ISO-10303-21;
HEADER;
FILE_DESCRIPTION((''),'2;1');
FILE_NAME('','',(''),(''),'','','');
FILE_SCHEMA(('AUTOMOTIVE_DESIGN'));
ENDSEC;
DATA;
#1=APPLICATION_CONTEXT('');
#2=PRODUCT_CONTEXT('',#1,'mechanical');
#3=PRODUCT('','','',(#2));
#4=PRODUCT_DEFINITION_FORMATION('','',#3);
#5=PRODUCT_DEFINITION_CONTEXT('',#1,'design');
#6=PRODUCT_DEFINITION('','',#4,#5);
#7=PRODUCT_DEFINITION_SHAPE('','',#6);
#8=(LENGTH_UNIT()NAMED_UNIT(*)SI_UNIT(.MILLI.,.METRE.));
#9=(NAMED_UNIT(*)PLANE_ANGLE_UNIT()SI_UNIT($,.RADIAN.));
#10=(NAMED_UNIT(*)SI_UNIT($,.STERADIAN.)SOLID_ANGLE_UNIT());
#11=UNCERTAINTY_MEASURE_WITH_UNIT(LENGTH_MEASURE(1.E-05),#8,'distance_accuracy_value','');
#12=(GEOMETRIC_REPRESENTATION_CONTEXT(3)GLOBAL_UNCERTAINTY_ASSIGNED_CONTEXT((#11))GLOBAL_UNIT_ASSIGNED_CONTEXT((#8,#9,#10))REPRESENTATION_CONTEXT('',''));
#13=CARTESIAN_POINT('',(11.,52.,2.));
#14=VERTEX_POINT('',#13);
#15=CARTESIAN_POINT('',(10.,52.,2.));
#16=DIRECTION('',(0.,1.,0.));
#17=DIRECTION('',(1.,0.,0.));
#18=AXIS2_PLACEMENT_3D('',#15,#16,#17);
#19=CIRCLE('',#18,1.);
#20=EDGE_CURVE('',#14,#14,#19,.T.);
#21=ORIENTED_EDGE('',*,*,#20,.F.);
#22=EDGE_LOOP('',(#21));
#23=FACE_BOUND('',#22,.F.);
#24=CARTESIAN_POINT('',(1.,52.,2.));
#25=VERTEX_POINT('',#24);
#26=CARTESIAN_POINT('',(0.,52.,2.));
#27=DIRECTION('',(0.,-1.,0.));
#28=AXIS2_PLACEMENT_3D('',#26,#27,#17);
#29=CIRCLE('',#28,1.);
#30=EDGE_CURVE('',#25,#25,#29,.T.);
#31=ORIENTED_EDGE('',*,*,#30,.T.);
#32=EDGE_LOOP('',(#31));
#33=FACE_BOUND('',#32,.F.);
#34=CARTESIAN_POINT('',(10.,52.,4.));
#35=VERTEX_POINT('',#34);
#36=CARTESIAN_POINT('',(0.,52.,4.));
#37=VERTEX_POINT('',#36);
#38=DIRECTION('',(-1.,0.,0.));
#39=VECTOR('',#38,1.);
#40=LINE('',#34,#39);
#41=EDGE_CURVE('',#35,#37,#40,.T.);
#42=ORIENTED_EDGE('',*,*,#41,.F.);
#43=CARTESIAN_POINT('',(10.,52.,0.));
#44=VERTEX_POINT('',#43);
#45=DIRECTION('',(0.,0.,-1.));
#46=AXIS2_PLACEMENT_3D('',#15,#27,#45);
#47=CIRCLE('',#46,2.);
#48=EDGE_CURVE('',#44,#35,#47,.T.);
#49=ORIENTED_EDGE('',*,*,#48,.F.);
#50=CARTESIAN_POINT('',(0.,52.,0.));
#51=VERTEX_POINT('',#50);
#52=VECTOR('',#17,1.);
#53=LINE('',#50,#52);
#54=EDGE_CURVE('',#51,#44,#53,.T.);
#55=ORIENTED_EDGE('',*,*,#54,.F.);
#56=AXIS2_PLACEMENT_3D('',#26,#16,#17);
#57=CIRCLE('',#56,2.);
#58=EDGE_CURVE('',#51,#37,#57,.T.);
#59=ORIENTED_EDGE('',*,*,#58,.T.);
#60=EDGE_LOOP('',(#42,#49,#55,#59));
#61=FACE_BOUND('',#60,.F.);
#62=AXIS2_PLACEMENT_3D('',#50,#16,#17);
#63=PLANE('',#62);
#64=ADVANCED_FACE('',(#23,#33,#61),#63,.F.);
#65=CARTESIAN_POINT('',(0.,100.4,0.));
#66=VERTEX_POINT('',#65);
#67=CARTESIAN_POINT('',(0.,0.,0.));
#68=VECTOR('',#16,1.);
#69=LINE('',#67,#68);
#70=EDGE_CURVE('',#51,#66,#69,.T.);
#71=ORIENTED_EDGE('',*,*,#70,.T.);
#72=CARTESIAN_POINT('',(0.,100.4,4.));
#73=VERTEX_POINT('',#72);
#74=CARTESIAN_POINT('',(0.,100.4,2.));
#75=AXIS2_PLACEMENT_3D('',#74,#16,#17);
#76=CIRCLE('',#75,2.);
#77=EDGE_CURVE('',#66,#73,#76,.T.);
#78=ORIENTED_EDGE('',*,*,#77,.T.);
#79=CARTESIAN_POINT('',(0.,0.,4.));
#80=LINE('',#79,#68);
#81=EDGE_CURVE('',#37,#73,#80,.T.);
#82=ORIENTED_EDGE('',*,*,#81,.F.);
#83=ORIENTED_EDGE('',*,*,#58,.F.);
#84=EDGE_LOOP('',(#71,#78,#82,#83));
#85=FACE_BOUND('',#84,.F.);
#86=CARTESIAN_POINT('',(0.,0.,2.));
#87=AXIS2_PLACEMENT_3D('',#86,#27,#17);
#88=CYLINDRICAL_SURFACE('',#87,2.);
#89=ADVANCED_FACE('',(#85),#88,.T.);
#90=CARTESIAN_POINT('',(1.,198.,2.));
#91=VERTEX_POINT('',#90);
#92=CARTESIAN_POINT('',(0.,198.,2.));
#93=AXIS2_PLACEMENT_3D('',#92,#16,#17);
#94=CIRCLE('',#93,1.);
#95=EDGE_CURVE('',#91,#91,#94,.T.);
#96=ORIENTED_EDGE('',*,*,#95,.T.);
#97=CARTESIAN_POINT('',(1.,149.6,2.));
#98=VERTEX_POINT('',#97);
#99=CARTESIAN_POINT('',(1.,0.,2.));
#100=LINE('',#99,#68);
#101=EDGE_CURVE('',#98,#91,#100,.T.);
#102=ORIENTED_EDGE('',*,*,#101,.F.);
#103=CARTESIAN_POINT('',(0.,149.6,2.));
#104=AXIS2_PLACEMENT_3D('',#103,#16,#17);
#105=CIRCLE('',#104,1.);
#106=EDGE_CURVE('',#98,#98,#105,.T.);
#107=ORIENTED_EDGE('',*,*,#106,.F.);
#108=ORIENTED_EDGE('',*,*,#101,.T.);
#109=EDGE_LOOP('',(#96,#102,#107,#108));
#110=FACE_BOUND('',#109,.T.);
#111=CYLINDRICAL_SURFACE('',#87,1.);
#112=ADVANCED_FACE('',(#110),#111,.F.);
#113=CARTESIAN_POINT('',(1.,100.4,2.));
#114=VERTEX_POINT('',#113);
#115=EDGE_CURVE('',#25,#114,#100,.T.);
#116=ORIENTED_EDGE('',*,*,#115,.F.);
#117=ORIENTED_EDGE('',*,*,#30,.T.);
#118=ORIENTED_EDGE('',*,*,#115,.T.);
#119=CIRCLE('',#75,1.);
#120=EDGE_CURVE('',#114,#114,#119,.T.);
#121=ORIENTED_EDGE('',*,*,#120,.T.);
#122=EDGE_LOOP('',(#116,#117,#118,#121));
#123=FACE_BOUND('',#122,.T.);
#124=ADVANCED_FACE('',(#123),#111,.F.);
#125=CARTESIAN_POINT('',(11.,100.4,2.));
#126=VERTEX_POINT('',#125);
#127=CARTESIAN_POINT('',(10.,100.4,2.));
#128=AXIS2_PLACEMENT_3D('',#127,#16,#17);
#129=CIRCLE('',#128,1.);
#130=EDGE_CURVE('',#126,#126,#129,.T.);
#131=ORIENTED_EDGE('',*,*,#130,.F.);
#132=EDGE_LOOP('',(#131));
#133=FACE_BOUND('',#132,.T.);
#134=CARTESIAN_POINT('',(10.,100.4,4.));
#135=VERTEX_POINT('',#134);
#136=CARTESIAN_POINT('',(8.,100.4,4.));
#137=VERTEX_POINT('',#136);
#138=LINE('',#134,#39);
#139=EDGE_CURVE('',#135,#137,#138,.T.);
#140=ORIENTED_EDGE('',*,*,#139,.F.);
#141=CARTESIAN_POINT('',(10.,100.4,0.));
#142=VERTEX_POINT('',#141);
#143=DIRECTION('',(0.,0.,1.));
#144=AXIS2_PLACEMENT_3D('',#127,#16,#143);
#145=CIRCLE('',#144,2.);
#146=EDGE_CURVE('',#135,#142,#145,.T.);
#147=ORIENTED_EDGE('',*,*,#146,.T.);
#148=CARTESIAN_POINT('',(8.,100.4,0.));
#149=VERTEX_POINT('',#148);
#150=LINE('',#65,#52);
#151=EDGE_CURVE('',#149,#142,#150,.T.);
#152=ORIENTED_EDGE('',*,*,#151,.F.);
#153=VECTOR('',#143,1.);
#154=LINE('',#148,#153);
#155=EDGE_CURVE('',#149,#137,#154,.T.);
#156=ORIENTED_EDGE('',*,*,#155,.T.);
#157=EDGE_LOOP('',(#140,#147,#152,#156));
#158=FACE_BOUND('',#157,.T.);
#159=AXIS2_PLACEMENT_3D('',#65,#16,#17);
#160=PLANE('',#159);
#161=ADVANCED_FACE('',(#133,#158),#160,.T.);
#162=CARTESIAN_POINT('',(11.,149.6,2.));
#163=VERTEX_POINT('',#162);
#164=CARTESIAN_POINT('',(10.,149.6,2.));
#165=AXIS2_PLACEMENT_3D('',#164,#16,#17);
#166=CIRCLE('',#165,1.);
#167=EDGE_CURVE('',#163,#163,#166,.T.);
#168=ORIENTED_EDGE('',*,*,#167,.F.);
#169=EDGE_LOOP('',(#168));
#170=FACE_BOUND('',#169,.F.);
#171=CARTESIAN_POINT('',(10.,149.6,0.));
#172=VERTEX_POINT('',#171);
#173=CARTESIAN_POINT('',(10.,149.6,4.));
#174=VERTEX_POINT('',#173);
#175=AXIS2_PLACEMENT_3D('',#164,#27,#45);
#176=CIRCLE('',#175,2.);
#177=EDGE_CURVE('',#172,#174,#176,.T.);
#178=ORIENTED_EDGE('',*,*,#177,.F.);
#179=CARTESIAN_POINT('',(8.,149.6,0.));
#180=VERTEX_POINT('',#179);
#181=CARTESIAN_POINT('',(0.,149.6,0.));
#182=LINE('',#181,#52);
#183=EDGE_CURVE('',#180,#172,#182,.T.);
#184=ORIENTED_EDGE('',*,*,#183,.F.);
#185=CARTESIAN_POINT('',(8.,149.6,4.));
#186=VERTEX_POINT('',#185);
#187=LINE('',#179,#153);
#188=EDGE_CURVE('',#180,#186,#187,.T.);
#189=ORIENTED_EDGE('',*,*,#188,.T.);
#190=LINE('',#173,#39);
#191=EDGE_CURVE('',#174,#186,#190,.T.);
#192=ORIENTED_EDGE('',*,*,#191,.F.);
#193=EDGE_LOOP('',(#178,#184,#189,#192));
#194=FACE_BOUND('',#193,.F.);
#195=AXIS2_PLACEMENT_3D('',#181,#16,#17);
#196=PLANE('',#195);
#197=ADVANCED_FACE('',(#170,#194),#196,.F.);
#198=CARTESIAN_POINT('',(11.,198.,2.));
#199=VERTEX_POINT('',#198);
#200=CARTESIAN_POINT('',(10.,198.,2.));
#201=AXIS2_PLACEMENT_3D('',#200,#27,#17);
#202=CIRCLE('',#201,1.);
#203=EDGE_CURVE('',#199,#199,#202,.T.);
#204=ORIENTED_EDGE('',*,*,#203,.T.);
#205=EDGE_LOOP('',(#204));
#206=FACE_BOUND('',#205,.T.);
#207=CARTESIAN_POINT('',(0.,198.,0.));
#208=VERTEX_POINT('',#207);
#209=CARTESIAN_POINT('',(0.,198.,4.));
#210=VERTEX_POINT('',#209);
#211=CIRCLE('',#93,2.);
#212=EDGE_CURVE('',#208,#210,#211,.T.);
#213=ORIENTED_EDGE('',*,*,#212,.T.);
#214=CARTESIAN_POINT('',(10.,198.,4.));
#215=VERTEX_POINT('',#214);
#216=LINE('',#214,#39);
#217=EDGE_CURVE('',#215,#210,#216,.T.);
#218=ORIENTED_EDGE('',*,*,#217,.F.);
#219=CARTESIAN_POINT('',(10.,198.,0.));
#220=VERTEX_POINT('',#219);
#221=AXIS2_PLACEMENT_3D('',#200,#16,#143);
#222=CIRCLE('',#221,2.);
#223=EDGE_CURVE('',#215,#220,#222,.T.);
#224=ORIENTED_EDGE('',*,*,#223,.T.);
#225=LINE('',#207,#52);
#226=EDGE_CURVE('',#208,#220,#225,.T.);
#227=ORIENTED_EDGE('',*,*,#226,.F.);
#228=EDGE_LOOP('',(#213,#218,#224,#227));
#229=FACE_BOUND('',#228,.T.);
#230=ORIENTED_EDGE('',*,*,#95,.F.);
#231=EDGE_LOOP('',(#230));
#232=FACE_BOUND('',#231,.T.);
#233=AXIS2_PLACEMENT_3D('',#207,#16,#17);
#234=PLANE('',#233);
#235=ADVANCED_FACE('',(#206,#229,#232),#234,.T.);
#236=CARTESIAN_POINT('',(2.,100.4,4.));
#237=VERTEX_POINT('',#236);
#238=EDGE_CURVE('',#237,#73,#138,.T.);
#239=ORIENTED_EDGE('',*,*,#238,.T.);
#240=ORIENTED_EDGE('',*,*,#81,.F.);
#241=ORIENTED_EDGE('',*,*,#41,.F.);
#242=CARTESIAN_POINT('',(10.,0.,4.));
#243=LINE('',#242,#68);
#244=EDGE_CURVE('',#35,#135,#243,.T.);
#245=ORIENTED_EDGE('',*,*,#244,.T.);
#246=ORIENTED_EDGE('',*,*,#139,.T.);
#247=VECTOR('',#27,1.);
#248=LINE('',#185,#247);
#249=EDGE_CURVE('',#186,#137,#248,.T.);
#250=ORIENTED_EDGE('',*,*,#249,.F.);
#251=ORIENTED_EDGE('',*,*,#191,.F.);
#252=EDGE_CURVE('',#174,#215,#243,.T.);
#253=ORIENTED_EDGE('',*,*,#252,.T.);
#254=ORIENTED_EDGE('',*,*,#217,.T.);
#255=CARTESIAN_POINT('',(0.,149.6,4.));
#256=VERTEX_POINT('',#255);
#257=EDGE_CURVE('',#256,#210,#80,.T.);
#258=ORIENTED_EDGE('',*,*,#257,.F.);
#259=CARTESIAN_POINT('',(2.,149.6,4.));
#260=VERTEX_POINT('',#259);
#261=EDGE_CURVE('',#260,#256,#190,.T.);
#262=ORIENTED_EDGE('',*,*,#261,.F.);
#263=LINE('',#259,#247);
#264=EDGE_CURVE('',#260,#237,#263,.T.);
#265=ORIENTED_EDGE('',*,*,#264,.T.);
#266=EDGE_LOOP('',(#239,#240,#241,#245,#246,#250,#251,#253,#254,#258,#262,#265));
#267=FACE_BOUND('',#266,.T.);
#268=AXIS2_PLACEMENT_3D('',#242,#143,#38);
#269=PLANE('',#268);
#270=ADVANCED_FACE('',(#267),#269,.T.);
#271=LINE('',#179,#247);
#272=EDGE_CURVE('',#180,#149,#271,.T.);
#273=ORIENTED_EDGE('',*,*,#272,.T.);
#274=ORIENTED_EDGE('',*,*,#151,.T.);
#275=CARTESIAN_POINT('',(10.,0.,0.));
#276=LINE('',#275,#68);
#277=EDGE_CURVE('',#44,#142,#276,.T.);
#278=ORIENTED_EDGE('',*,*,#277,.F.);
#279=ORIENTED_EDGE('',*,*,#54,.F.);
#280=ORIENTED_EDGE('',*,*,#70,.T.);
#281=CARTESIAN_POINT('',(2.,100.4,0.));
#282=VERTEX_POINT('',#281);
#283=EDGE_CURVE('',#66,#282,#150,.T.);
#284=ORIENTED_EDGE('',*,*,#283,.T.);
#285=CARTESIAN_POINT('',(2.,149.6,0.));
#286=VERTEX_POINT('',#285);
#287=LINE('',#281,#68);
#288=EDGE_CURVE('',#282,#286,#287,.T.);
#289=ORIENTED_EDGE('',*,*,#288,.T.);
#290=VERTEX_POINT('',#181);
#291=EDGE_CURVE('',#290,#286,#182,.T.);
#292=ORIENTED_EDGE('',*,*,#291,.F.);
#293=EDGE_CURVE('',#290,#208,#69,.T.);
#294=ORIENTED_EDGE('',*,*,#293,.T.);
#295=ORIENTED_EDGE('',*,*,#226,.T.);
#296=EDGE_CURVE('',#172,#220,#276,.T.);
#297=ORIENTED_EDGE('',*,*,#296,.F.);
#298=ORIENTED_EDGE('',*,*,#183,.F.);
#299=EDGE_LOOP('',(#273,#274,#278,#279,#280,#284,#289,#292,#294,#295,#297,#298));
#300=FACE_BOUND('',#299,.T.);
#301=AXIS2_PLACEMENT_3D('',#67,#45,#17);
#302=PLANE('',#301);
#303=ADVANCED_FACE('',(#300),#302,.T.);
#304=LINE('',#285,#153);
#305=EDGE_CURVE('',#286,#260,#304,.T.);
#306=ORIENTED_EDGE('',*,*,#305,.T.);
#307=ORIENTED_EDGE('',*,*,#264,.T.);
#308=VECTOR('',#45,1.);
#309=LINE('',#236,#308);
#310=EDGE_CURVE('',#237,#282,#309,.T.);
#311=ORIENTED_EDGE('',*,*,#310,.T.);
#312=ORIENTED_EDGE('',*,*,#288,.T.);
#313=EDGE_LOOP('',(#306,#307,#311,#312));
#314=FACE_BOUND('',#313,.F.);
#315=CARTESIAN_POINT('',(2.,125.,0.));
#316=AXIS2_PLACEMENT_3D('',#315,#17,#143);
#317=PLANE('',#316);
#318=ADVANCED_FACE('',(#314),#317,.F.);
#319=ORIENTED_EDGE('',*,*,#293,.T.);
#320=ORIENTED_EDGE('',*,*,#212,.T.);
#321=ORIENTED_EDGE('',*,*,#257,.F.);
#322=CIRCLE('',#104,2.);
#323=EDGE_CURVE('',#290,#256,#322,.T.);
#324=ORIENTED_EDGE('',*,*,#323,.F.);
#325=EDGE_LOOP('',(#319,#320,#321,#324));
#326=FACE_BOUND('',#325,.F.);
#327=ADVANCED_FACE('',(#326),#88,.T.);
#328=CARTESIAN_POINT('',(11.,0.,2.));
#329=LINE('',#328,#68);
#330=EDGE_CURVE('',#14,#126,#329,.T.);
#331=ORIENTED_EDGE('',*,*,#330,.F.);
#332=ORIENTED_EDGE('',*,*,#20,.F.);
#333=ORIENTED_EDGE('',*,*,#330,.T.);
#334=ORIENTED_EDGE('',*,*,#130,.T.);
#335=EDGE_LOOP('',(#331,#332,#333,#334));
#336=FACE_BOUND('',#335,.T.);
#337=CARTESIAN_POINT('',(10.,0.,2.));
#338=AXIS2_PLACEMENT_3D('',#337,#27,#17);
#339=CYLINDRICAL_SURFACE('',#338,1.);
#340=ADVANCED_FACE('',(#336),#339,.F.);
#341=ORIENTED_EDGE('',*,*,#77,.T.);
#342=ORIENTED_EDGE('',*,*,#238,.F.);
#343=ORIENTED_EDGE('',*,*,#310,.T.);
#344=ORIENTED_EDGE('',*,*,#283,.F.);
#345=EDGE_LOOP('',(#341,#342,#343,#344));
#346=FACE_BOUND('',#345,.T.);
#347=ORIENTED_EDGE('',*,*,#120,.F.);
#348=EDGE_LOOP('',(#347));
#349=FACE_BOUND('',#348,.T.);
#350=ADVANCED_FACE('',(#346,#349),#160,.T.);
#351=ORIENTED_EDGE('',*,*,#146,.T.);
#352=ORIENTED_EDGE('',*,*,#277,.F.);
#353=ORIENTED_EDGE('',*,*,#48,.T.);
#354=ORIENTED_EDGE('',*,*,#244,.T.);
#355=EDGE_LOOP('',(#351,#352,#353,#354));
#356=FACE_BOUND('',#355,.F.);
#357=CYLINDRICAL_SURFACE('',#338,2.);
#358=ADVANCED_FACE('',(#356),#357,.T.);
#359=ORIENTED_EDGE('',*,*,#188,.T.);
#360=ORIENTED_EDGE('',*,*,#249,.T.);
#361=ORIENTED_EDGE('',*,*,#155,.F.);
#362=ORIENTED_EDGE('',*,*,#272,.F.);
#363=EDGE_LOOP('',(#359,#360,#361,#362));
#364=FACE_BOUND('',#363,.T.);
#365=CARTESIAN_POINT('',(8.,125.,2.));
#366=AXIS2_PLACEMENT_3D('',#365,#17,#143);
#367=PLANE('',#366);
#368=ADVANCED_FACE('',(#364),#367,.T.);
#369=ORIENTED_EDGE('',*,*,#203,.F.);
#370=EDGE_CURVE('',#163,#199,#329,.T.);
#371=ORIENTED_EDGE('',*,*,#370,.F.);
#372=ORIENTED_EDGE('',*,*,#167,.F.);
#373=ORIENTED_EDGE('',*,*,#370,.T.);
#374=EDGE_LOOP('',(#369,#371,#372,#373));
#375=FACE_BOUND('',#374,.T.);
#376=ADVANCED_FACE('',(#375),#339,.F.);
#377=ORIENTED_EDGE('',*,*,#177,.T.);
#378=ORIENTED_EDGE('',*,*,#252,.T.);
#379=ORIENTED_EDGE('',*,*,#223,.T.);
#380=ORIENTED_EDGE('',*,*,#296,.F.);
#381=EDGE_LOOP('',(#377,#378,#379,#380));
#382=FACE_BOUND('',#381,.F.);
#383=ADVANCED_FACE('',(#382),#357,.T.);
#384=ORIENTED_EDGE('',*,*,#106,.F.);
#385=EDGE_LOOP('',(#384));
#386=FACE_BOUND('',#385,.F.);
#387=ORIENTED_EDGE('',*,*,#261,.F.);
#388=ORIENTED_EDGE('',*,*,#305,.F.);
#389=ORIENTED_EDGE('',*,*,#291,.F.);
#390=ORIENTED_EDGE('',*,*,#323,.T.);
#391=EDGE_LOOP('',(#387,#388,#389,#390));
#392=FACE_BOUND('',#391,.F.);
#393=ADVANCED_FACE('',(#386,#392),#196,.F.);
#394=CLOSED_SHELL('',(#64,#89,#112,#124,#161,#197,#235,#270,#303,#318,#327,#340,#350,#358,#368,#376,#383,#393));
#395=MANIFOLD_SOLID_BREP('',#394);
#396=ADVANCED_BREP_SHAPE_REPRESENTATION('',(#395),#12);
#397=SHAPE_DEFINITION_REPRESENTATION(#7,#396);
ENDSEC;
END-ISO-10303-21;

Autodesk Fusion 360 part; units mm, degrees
sketch "Sketch1" plane through (0, 0, 0) normal (0, 1, 0) x (1, 0, 0)
  line L0 (0, 0) -> (10, 0)
  line L1 (10, 0) -> (10, -4)
  line L2 (10, -4) -> (0, -4)
  line L3 (0, -4) -> (0, 0)
  circle A0 centre (0, -2) radius 2
  circle A1 centre (10, -2) radius 2
  circle A2 centre (0, -2) radius 1
  circle A3 centre (10, -2) radius 1
  dimension "d1" = 10
  dimension "d2" = 4
  dimension "d5" = 2
  dimension "d6" = 2
extrude "Extrude1" add sketch "Sketch1" along normal blind 250 contours L3 A0 A2 | L0 L2 A0 A1 | L3 A0 A2 | L1 A1 A3 | L1 A1 A3
ref_plane "WorkPlane1" through (0, 51.2, 0) normal (0, 1, 0) x (0, 0, 1)
sketch "Sketch3" plane through (0, 51.2, 0) normal (0, 1, 0) x (1, 0, 0)
  line L0 (8, -4) -> (8, 0)
  line L1 (10, -4) -> (0, -4)
  line L2 (0, 0) -> (10, 0)
  line L3 (8, -4) -> (10, -4)
  line L4 (8, 0) -> (10, 0)
  circle A0 centre (10, -2) radius 1
  circle A1 centre (10, -2) radius 1
  circle A2 centre (10, -2) radius 2
  arc A3 (10, -4) -> (10, 0) centre (10, -2) ccw
  line L5 (5, 0) -> (5, -4)
  circle A4 centre (0, -2) radius 2
  circle A5 centre (0, -2) radius 1
  line L6 (2, -4) -> (0, -4)
  line L7 (2, -4) -> (2, 0)
  line L8 (2, 0) -> (0, 0)
  dimension "d15" = 2
extrude "Extrude3" cut sketch "Sketch3" against normal blind 49.2 contours L0 L1 L3 A2 | L0 L2 L4 A2 | A2 A3 | L1 A4 L6 L7 | A4 | L2 A4 L7 L8
ref_plane "WorkPlane2" through (0, 125, 0) normal (0, 1, 0) x (0, 0, 1)
mirror "Mirror1" about plane through (0, 125, 0) normal (0, 1, 0) of "Extrude3"
sketch "Sketch4" plane through (0, 125, 0) normal (0, 1, 0) x (1, 0, 0)
  circle A0 centre (10, -2) radius 1
  circle A1 centre (10, -2) radius 2
  circle A2 centre (0, -2) radius 1
  circle A3 centre (0, -2) radius 2
  circle A4 centre (10, -2) radius 1
  arc A5 (10, -4) -> (10, 0) centre (10, -2) ccw
  arc A6 (0, 0) -> (0, -4) centre (0, -2) ccw
  circle A7 centre (0, -2) radius 1
  line L0 (10, -4) -> (0, -4)
  line L1 (0, 0) -> (10, 0)
  line L2 (5, -4) -> (5, 0)
  line L3 (10, 0) -> (8, 0)
  line L4 (8, 0) -> (8, -4)
  line L5 (2, 0) -> (2, -4)
  dimension "d41" = 2
extrude "Extrude8" cut sketch "Sketch4" along normal blind 24.6 and the other way blind 24.6 contours A1 A5 | A1 L1 L3 L4 | A1 L0 L4 | A3 L1 L5 | A3 L0 L5 | A3 A6
extrude "Extrude5" cut 1 faces at (3.6087, 0, 0.4789) along direction (0, 1, 0) blind 52
extrude "Extrude6" cut 1 faces at (3.6087, 250, 0.4789) along direction (0, -1, 0) blind 52
fillet "Fillet2" [suppressed]
equation "d7 = 2 mm + 49.2 mm"
